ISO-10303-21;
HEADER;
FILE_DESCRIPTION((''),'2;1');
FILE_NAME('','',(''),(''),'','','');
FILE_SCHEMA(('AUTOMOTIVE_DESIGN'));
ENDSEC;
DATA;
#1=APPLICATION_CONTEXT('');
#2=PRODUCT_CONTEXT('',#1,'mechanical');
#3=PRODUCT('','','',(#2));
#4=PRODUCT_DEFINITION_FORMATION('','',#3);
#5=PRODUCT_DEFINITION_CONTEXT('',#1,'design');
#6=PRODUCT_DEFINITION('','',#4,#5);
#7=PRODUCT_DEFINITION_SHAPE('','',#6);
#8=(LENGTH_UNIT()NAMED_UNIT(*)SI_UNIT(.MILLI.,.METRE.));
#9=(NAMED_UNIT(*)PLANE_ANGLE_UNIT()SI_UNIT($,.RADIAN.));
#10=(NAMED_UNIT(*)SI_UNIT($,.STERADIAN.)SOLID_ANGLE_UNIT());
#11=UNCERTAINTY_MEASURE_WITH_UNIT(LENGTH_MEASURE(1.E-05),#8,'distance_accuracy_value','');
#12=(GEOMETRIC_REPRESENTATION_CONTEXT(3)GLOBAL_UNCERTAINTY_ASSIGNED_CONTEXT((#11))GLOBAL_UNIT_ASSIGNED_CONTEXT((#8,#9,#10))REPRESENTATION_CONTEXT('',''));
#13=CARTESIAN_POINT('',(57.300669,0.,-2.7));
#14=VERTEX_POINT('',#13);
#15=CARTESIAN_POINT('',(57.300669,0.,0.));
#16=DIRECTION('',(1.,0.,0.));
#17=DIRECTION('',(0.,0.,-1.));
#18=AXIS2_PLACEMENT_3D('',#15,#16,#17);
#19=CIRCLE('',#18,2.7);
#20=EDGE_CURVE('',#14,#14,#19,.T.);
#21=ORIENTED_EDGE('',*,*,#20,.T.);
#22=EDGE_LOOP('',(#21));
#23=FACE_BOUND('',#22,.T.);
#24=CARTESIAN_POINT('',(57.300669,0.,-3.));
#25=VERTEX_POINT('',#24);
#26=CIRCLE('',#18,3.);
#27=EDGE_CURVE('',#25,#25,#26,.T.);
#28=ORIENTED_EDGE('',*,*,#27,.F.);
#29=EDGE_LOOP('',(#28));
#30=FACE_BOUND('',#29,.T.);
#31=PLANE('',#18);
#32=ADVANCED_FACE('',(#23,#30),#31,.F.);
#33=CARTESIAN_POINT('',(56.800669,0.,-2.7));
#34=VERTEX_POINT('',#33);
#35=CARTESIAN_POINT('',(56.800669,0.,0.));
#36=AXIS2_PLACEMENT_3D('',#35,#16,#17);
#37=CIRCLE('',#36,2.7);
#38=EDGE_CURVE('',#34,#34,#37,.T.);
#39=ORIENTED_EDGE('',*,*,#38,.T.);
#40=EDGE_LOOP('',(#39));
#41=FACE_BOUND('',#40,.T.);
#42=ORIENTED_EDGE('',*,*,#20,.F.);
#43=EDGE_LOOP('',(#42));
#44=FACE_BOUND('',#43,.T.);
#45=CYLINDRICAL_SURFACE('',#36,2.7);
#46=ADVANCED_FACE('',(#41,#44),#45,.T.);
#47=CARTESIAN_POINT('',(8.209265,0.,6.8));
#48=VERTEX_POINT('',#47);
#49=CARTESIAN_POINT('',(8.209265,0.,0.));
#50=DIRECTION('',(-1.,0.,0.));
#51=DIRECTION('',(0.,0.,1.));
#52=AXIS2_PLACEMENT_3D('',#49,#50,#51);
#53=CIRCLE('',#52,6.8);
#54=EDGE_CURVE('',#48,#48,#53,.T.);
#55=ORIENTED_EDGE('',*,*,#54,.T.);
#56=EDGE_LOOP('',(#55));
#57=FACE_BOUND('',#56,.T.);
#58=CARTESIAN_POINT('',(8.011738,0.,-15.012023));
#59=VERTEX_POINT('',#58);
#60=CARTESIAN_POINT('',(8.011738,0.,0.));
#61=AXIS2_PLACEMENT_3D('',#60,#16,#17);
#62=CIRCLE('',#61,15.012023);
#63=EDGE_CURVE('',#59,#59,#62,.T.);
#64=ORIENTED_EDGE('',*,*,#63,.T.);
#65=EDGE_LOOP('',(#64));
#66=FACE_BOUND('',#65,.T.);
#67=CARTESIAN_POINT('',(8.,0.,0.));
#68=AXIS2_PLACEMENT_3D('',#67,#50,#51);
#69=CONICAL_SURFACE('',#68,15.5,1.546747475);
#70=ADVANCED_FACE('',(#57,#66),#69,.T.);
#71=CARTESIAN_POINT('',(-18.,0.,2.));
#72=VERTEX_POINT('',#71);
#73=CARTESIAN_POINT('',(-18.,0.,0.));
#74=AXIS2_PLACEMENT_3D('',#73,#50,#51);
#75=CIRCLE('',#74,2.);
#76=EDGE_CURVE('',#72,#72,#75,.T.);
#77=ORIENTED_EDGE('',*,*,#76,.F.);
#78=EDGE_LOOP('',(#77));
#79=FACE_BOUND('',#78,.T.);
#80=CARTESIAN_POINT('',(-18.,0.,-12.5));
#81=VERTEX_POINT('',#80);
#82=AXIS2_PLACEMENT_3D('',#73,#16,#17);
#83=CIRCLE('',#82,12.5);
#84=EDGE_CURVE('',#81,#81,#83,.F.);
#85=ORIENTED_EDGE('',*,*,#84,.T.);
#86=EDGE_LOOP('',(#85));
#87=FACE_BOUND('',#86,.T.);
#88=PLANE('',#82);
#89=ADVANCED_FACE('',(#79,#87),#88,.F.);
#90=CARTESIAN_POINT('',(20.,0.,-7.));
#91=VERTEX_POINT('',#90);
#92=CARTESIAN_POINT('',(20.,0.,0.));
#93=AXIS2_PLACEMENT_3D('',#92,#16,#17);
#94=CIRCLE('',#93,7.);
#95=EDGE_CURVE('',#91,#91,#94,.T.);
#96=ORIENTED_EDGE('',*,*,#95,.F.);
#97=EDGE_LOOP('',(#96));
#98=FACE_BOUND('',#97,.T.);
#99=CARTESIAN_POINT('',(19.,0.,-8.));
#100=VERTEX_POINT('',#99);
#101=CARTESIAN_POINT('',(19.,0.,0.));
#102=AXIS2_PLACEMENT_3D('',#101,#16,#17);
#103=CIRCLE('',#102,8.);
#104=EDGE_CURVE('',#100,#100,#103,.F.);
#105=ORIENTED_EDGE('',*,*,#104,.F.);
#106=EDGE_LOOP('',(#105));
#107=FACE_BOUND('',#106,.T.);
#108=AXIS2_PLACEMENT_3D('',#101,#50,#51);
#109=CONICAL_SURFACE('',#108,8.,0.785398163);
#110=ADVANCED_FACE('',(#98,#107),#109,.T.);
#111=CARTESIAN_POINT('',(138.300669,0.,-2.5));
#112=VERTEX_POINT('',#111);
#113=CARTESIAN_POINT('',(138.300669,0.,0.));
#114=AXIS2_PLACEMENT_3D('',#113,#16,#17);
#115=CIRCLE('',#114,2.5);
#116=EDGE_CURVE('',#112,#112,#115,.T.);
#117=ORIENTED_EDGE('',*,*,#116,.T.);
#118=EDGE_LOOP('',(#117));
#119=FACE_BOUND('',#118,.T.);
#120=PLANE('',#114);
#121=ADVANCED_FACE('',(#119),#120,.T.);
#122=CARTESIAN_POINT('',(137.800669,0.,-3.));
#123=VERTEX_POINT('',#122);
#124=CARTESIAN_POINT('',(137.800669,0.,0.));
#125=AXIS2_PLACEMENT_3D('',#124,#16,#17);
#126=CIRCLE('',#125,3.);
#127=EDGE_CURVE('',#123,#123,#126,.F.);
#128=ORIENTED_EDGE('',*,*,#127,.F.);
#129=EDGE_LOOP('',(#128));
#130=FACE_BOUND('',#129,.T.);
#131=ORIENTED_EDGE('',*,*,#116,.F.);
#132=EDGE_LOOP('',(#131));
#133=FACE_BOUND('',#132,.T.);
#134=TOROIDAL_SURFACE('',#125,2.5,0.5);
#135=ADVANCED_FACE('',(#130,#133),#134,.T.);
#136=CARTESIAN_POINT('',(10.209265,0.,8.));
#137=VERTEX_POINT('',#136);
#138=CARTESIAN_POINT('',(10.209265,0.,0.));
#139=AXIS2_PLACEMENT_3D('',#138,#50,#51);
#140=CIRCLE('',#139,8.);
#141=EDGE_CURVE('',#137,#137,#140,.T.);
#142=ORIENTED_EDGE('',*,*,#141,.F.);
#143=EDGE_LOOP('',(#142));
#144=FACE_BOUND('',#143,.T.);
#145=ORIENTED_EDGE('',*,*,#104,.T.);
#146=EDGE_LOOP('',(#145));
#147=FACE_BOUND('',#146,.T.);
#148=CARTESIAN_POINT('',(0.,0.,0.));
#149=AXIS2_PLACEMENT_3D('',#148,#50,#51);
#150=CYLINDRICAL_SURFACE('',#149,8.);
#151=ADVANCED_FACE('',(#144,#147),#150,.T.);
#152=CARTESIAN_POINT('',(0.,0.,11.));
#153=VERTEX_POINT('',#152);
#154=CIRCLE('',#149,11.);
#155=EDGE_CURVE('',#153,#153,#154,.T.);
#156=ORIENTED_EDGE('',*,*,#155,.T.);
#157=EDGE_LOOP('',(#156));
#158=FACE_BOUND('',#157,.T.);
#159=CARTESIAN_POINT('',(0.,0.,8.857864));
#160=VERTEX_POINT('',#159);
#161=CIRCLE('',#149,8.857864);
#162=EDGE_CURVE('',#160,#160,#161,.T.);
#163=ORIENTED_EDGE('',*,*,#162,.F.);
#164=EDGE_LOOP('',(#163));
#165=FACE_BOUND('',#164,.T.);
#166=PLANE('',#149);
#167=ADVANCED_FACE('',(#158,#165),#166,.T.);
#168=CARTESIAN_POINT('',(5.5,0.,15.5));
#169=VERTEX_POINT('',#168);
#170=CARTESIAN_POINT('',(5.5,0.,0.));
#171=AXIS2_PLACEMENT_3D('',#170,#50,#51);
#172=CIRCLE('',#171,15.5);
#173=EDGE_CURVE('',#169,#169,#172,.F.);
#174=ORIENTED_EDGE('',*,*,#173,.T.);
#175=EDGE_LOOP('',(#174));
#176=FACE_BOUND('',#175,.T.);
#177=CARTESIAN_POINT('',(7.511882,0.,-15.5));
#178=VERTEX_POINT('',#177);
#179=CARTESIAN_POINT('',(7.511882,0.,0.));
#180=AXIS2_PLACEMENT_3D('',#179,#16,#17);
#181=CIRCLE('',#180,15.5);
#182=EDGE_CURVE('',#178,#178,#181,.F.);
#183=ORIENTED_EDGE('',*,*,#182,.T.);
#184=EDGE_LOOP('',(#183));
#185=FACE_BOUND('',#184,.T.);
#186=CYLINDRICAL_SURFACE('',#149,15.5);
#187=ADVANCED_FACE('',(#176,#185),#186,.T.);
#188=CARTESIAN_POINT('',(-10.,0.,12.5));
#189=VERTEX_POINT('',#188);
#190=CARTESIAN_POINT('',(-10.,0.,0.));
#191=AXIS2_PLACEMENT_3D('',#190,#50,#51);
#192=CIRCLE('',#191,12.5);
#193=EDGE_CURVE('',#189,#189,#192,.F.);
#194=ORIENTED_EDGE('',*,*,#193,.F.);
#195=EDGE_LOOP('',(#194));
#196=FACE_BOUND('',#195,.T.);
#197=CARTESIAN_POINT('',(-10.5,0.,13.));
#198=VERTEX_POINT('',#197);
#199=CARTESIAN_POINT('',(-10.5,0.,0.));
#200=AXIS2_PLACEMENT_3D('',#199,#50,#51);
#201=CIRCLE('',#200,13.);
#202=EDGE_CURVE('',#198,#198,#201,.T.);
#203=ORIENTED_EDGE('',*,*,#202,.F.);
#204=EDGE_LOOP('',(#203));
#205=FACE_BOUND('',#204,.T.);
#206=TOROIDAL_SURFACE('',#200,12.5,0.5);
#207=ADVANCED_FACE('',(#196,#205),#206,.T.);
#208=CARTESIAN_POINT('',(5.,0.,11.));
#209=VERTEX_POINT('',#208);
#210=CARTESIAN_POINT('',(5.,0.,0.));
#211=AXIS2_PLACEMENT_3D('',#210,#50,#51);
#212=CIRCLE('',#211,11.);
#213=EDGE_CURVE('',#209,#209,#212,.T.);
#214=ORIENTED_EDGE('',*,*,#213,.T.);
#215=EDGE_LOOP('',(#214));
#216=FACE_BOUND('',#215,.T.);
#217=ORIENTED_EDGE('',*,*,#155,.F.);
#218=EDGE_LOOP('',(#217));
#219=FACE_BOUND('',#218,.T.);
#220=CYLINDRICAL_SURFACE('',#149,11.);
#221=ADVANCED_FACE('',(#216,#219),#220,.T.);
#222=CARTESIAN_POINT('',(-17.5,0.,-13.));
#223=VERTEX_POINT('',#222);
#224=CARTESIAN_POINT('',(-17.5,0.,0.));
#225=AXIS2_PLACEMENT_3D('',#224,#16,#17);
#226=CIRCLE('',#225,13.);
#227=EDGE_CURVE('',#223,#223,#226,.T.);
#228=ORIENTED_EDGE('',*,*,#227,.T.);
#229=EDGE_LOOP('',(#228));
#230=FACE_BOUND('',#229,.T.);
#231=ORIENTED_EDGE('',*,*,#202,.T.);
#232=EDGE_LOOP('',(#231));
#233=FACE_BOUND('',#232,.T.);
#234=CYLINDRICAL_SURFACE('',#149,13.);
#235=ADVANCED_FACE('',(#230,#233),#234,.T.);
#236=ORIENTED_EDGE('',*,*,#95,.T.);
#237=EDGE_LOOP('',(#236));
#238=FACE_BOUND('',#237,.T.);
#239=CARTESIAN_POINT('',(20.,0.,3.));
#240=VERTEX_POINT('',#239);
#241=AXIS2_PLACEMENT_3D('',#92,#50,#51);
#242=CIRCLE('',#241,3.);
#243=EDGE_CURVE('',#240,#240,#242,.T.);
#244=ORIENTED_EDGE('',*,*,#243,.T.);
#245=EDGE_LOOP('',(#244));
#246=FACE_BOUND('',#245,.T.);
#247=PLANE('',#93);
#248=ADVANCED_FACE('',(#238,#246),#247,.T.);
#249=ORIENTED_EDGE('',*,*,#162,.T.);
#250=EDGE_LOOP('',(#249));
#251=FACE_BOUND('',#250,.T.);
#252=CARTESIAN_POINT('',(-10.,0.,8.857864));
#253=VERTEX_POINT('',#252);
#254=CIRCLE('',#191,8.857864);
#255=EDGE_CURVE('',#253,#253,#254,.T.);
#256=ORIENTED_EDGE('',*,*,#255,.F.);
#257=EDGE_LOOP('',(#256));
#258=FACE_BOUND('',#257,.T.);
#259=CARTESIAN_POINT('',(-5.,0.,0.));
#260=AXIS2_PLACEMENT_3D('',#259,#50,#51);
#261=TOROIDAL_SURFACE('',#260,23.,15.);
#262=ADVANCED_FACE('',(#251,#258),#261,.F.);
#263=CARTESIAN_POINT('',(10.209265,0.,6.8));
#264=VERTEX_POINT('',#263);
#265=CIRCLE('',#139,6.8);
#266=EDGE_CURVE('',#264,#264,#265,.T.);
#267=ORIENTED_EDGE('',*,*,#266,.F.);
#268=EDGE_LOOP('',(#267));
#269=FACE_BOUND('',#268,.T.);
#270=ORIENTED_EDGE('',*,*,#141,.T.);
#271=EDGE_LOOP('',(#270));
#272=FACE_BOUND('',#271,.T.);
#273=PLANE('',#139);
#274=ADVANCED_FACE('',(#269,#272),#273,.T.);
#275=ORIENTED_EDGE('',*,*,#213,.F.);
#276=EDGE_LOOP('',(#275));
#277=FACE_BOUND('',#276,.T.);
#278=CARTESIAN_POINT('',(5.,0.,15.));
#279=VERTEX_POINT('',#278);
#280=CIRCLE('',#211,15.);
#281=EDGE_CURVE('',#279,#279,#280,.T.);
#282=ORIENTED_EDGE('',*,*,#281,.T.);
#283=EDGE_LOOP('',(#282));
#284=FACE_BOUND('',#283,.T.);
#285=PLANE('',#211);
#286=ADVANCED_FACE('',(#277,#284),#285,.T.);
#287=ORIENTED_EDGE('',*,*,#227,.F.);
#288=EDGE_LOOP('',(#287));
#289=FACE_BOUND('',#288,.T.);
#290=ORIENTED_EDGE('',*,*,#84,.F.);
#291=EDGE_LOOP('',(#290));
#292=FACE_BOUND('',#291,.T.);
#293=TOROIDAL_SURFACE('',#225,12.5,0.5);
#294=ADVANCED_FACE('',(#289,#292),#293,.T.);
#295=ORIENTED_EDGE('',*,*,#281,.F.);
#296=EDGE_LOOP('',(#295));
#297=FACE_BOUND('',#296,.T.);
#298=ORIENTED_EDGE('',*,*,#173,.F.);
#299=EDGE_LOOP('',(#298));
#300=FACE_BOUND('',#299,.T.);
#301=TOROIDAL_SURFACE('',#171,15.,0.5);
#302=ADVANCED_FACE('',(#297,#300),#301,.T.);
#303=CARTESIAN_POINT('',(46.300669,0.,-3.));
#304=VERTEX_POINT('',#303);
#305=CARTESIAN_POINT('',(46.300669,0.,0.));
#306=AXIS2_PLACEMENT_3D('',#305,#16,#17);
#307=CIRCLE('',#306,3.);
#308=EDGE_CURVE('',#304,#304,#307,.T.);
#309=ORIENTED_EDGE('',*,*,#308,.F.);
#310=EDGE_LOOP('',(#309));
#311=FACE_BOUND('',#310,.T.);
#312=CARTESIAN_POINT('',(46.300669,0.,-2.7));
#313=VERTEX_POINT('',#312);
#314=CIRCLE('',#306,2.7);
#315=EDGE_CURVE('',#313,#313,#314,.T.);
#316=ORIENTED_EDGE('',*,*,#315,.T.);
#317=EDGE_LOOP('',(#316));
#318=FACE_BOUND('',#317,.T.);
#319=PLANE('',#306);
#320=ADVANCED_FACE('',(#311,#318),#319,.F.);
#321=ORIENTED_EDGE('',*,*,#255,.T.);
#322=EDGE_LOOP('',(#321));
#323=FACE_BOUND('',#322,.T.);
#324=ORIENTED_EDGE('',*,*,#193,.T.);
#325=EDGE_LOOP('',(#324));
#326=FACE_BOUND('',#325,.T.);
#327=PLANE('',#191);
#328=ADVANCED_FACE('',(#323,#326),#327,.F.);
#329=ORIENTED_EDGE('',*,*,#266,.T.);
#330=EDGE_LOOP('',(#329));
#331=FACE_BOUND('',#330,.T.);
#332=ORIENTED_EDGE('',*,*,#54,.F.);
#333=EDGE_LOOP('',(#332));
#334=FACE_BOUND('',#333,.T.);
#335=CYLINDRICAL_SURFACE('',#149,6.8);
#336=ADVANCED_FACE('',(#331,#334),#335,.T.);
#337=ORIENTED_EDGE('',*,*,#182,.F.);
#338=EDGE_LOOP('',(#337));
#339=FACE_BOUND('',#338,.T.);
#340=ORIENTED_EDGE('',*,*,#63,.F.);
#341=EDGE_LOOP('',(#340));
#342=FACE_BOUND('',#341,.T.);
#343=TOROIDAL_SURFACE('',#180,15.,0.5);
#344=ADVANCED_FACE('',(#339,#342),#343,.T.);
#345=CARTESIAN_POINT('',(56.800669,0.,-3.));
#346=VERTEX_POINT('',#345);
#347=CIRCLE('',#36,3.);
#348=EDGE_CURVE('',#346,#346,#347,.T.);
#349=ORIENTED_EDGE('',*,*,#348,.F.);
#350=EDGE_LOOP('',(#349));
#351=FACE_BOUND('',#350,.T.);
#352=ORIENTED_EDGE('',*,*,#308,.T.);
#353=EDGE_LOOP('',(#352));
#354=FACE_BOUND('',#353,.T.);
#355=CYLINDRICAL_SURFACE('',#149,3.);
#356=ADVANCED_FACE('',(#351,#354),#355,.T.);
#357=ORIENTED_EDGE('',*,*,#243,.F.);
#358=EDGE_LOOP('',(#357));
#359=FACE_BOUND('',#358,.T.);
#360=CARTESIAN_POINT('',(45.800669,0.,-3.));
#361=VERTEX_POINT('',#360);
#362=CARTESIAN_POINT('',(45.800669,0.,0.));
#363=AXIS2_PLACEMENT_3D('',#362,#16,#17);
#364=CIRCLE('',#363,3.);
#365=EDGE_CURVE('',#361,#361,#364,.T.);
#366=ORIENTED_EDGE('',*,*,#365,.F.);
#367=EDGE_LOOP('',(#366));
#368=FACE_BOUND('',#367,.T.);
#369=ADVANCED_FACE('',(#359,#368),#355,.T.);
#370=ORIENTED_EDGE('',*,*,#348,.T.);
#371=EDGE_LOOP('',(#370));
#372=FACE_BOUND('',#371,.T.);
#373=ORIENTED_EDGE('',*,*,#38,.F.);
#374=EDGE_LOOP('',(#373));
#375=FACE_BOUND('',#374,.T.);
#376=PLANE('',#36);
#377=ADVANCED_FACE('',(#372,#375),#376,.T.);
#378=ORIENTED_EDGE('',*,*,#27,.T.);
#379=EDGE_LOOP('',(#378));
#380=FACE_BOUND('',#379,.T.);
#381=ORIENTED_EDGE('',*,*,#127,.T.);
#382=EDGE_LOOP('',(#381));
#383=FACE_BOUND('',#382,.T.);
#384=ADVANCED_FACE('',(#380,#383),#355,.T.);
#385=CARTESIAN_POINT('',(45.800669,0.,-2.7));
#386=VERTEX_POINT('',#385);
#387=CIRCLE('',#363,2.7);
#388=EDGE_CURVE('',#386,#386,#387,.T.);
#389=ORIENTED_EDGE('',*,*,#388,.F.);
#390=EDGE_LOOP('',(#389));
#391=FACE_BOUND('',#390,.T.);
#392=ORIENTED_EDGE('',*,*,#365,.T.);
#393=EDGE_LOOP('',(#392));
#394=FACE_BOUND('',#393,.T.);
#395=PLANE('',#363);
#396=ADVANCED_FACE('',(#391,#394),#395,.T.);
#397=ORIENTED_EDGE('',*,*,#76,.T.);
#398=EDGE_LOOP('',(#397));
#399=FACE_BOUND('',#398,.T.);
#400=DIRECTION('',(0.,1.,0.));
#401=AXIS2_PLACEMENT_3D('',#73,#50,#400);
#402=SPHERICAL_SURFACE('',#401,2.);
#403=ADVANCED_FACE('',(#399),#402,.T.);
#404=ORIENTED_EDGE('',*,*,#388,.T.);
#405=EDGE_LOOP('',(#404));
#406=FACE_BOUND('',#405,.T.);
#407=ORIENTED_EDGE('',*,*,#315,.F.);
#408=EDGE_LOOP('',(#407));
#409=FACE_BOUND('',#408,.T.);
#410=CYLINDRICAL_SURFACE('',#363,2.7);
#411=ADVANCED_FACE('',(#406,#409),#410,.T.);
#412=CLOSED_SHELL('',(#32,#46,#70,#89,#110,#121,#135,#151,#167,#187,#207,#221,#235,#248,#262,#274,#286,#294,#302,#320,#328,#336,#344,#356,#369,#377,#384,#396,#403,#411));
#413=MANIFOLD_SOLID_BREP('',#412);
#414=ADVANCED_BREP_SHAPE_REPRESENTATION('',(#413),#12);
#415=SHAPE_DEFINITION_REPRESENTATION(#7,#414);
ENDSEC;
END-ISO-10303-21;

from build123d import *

# Parameters (mm, degrees)
CHAMFER_1_SIZE      = 1
CUT_EXTRUDE_START   = -0.5
SKETCH_2_R          = 3
SKETCH_2_R_2        = 2.7
CUT_EXTRUDE_1_DEPTH = 0.5
SKETCH_3_R          = 3
SKETCH_3_R_2        = 2.7
CUT_EXTRUDE_2_DEPTH = 0.5
FILLET_1_R          = 0.5


with BuildPart() as part:
    # Sketch 1 → 旋转1 (revolve)
    with BuildSketch(Plane.XY, mode=Mode.PRIVATE) as revolve_1_sk:
        with BuildLine():
            Line((0, 11), (0, 8.857864376))
            ThreePointArc((0, 8.857864376), (-5, 8), (-10, 8.857864376))
            Line((-10, 8.857864376), (-10, 13))
            Line((-10, 13), (-18, 13))
            Line((-18, 13), (-18, 2))
            ThreePointArc((-18, 2), (-19.414213562, 1.414213562), (-20, 0))
            Line((-20, 0), (-18, 0))
            Line((-18, 0), (-10, 0))
            Line((-10, 0), (0, 0))
            Line((0, 0), (20, 0))
            Line((20, 0), (138.300668613, 0))
            Line((138.300668613, 0), (138.300668613, 3))
            Line((138.300668613, 3), (20, 3))
            Line((20, 3), (20, 8))
            Line((20, 8), (10.209265355, 8))
            Line((10.209265355, 8), (10.209265355, 6.8))
            Line((10.209265355, 6.8), (8.209265355, 6.8))
            Line((8.209265355, 6.8), (8, 15.5))
            Line((8, 15.5), (5, 15.5))
            Line((5, 15.5), (5, 11))
            Line((5, 11), (0, 11))
        make_face()
    revolve(revolve_1_sk.sketch.rotate(Axis((0, 0, 0), (1, 0, 0)), 90), axis=Axis((0, 0, 0), (1, 0, 0)))

    # 倒角1
    chamfer_1_edges = [part.edges().sort_by_distance(p)[0] for p in [
        (20, 0, -8),
    ]]
    chamfer(chamfer_1_edges, length=CHAMFER_1_SIZE)

    # Sketch 2 → 切除-拉伸1 (cut)
    with BuildSketch(Plane(origin=(57.300668613, 0, 0), x_dir=(0, 0, -1), z_dir=(1, 0, 0)).offset(CUT_EXTRUDE_START)):
        with Locations(Location((0, 0, 0), (0, 0, 180))):
            Circle(SKETCH_2_R)
        Circle(SKETCH_2_R_2, mode=Mode.SUBTRACT)
    extrude(amount=CUT_EXTRUDE_1_DEPTH, mode=Mode.SUBTRACT)

    # 草图3 → 切除-拉伸2 (cut)
    with BuildSketch(Plane(origin=(46.300668613, 0, 0), x_dir=(0, 0, -1), z_dir=(1, 0, 0)).offset(CUT_EXTRUDE_START)):
        with Locations(Location((0, 0, 0), (0, 0, 180))):
            Circle(SKETCH_3_R)
        Circle(SKETCH_3_R_2, mode=Mode.SUBTRACT)
    extrude(amount=CUT_EXTRUDE_2_DEPTH, mode=Mode.SUBTRACT)

    # 圆角1
    fillet_1_edges = [part.edges().sort_by_distance(p)[0] for p in [
        (138.300668613, 0, -3),
        (-18, 0, -13),
        (-10, 0, -13),
        (5, 0, -15.5),
        (8, 0, -15.5),
    ]]
    fillet(fillet_1_edges, radius=FILLET_1_R)


solid = part.part
